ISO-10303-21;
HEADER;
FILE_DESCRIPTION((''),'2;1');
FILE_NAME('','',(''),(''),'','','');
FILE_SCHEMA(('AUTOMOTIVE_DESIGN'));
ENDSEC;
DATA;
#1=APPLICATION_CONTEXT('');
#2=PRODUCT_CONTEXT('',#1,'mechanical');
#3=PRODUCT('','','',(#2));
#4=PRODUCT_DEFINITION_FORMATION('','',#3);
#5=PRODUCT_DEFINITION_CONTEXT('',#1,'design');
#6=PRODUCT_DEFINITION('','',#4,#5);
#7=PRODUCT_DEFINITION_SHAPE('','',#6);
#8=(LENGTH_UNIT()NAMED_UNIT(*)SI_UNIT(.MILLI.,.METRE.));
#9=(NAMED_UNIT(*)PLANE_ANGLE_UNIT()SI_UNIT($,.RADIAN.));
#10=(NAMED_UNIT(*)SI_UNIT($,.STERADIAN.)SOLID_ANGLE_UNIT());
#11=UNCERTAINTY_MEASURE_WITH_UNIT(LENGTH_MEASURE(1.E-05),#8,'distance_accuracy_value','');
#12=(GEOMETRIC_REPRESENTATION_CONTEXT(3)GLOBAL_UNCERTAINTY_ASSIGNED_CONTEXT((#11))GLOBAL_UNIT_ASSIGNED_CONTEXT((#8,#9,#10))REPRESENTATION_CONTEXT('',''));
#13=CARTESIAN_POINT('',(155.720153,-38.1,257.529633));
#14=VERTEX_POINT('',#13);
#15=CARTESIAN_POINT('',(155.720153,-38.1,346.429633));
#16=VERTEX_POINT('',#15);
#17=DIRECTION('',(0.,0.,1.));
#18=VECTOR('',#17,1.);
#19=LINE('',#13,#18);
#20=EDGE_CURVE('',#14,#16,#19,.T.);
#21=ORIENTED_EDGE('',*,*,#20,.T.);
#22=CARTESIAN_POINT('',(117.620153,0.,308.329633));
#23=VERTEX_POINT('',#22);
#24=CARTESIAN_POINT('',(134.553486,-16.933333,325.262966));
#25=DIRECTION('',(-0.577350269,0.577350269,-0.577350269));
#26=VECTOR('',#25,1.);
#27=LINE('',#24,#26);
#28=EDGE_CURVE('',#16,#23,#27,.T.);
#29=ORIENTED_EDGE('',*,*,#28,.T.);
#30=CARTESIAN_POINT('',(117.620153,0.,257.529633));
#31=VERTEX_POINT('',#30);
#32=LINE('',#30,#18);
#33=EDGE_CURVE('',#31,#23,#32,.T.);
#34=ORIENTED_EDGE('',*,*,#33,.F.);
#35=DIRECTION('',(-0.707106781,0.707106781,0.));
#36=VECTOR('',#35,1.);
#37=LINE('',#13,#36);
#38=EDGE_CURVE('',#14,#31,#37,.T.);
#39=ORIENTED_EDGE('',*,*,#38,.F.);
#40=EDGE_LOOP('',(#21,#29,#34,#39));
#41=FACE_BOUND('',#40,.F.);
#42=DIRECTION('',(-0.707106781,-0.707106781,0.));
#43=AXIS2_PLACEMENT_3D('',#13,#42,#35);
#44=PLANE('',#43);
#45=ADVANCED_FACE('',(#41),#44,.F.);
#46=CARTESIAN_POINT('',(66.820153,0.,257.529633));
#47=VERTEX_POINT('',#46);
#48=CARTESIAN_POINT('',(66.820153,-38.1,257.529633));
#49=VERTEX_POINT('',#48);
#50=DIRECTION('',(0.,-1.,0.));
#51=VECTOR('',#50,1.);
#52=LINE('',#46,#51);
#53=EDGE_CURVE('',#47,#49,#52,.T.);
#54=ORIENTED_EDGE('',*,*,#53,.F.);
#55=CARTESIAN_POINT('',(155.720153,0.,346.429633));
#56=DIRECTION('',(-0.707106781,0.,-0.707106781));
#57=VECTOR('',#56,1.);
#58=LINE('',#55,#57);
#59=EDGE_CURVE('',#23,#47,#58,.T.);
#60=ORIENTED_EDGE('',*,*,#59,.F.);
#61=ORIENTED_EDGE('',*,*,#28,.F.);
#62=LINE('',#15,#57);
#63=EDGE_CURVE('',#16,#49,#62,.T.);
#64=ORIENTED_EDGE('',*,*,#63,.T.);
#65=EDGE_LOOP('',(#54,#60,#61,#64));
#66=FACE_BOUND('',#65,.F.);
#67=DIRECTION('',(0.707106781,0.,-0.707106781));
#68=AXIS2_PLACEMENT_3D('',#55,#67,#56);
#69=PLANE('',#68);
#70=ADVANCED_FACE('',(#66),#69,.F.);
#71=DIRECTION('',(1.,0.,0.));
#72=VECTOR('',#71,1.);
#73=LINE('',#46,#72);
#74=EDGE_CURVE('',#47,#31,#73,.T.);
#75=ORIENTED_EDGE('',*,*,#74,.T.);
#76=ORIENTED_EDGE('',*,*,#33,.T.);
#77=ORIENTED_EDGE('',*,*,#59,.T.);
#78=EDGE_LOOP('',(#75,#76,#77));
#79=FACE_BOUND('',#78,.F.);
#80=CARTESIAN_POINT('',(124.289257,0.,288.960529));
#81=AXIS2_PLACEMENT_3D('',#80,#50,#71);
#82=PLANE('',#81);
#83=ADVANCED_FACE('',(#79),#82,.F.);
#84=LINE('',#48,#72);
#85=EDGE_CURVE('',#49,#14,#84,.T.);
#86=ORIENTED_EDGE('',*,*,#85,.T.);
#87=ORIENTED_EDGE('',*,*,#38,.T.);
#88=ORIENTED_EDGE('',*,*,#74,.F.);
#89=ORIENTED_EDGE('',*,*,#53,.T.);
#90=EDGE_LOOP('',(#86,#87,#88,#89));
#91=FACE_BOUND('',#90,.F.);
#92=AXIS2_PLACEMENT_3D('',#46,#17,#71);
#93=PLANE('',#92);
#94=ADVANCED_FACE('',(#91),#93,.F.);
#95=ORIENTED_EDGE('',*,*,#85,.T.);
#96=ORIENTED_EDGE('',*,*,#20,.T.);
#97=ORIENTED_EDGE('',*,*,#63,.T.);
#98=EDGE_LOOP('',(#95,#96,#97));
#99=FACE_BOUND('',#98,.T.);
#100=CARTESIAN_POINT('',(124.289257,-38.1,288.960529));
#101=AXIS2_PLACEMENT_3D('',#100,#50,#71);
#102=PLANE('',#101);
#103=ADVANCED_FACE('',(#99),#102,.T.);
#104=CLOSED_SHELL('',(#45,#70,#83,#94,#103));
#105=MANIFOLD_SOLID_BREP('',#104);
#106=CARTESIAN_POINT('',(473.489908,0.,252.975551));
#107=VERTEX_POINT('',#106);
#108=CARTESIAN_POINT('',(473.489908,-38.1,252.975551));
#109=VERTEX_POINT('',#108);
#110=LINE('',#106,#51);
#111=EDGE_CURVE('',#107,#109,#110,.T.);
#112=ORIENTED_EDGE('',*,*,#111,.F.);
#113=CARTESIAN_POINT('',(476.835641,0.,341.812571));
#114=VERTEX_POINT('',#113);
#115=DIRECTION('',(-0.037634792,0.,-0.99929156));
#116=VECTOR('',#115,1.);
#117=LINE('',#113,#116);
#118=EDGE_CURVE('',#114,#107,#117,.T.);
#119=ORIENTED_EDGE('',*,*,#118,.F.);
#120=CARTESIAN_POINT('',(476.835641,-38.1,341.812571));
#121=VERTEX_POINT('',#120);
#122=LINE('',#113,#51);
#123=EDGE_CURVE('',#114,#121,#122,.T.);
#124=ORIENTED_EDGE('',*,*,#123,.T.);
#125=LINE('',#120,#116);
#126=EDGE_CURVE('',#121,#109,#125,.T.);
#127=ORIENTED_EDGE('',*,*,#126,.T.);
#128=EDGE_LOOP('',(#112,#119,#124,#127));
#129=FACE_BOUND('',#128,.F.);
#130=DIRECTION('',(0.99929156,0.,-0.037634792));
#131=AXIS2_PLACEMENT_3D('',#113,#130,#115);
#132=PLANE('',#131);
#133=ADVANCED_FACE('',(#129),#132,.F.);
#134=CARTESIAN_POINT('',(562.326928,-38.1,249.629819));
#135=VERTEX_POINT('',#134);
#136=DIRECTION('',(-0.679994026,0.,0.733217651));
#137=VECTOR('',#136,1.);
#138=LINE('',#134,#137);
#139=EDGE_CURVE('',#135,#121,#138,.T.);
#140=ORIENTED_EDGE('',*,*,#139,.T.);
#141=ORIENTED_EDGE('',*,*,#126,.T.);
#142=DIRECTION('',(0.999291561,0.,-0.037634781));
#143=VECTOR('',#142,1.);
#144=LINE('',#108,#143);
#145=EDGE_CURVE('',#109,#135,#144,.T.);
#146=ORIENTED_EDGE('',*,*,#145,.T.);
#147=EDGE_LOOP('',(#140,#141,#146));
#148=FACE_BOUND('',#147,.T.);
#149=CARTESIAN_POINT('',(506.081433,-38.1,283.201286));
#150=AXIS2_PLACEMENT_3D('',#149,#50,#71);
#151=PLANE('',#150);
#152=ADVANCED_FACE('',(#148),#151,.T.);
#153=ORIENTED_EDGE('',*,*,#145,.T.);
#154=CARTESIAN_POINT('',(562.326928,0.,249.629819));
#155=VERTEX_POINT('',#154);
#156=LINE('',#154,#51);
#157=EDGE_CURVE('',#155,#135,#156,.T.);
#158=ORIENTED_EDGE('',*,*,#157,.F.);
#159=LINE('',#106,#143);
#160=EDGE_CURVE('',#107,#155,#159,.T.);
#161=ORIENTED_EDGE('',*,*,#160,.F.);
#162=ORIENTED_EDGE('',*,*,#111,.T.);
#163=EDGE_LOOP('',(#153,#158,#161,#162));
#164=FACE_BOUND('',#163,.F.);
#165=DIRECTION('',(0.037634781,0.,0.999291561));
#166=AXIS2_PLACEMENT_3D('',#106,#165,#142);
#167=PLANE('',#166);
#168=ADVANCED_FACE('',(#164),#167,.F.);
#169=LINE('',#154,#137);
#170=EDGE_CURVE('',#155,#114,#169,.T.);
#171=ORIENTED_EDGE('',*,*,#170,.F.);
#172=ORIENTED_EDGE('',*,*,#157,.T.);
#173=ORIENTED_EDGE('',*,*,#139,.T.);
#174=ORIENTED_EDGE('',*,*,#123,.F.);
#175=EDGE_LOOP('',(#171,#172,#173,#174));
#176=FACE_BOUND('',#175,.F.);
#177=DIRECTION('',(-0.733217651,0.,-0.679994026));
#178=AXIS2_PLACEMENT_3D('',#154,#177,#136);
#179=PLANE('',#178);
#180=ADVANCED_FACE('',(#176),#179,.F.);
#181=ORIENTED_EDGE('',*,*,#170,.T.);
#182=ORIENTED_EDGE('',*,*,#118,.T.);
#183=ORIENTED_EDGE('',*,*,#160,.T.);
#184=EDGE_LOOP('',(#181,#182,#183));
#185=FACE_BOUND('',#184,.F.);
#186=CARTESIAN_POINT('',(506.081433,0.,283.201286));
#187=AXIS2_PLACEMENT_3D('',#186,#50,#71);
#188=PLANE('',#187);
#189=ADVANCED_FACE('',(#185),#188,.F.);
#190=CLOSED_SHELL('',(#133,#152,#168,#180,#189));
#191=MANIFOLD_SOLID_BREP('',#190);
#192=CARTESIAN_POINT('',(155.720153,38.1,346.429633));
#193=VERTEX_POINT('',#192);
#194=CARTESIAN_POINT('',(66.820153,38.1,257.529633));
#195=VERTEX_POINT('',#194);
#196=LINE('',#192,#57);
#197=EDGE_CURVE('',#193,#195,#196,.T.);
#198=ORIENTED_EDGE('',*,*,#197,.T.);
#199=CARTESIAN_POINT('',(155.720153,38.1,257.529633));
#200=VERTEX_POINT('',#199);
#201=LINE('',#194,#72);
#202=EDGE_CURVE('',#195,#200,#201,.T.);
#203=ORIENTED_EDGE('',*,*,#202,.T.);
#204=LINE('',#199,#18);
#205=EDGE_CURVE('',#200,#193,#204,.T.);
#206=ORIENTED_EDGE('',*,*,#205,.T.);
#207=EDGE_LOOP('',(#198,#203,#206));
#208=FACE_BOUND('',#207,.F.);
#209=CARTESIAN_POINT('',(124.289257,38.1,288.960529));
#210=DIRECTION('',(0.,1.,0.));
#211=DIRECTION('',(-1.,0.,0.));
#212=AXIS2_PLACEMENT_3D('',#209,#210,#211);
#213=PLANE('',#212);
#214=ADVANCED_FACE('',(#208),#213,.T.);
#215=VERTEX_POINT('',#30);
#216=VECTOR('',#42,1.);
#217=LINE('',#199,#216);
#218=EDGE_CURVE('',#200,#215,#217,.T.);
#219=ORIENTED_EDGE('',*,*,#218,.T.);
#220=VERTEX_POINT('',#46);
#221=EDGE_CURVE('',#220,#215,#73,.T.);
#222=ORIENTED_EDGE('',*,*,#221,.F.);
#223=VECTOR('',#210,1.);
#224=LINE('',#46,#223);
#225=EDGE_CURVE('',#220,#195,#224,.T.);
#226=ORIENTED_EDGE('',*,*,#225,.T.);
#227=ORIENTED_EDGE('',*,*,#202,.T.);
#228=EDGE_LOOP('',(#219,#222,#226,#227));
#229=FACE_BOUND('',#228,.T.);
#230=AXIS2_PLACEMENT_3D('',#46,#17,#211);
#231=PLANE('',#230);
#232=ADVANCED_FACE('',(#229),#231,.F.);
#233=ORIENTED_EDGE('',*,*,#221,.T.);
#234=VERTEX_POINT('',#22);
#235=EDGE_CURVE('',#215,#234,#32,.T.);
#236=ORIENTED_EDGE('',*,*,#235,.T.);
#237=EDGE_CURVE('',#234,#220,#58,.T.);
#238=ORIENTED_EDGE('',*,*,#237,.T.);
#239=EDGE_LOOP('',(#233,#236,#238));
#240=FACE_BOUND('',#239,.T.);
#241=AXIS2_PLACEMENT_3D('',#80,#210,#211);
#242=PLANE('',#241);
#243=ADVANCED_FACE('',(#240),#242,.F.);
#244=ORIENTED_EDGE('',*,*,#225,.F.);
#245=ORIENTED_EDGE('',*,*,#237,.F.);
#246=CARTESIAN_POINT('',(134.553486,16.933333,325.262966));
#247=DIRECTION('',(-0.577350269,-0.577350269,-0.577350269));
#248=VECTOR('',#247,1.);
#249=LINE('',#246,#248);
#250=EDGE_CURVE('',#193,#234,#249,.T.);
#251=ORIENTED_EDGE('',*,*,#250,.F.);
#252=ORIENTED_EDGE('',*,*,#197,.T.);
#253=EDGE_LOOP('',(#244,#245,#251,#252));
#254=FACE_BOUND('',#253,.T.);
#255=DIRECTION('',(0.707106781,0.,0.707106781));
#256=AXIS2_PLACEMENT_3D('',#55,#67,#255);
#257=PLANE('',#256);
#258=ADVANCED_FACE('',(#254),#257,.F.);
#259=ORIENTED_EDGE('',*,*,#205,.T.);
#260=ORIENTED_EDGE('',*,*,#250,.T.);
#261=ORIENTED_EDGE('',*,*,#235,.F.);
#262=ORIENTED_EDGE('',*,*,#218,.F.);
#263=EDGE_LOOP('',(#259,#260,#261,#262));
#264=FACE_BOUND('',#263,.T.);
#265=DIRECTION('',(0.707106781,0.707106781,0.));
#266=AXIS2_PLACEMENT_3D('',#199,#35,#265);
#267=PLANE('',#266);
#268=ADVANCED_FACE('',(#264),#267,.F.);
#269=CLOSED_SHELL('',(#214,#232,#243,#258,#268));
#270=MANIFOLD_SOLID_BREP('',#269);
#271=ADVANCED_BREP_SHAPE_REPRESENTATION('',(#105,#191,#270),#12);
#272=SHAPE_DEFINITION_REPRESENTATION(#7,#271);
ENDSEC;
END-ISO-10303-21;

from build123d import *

# Parameters (mm, degrees)
F1_DEPTH = 38.1
F3_DEPTH = 38.1
F5_DEPTH = 38.1
F7_DEPTH = 120.182553
F9_DEPTH = 100.719053


with BuildPart() as f1:
    # F0 (on Front) → F1 (new body)
    with BuildSketch(Plane.XZ):
        Polygon((155.720153, 346.429633), (66.820153, 257.529633), (155.720153, 257.529633), align=None)
    extrude(amount=F1_DEPTH)

    # F8 (on face) → F9 (cut, through all)
    with BuildSketch(Plane(origin=(0, 0, 257.529633), x_dir=(1, 0, 0), z_dir=(0, 0, -1))):
        Polygon((155.720153, 0), (155.720153, 38.1), (117.620153, 0), align=None)
    extrude(amount=-F9_DEPTH, mode=Mode.SUBTRACT)


with BuildPart() as f3:
    # F2 (on Front) → F3 (new body)
    with BuildSketch(Plane.XZ):
        Polygon((205.645326, 358.247686), (219.244342, 257.561904), (319.930124, 271.16092), align=None)
    extrude(amount=F3_DEPTH)

    # F6 (on face) → F7 (cut, through all)
    with BuildSketch(Plane(origin=(-30.236229, 0, 223.866081), x_dir=(0.991002, 0, 0.133849), z_dir=(0.133849, 0, -0.991002))):
        Polygon((289.845832, 0), (251.745832, 38.1), (251.745832, 0), align=None)
    extrude(amount=-F7_DEPTH, mode=Mode.SUBTRACT)


with BuildPart() as f5:
    # F4 (on Front) → F5 (new body)
    with BuildSketch(Plane.XZ):
        Polygon((562.326928, 249.629819), (476.835641, 341.812571), (473.489908, 252.975551), align=None)
    extrude(amount=F5_DEPTH)


with BuildPart() as f11_1:
    # F11: instance of F1
    add(f1.part.mirror(Plane.XZ))


solid = Compound([f1.part, f5.part, f11_1.part])
